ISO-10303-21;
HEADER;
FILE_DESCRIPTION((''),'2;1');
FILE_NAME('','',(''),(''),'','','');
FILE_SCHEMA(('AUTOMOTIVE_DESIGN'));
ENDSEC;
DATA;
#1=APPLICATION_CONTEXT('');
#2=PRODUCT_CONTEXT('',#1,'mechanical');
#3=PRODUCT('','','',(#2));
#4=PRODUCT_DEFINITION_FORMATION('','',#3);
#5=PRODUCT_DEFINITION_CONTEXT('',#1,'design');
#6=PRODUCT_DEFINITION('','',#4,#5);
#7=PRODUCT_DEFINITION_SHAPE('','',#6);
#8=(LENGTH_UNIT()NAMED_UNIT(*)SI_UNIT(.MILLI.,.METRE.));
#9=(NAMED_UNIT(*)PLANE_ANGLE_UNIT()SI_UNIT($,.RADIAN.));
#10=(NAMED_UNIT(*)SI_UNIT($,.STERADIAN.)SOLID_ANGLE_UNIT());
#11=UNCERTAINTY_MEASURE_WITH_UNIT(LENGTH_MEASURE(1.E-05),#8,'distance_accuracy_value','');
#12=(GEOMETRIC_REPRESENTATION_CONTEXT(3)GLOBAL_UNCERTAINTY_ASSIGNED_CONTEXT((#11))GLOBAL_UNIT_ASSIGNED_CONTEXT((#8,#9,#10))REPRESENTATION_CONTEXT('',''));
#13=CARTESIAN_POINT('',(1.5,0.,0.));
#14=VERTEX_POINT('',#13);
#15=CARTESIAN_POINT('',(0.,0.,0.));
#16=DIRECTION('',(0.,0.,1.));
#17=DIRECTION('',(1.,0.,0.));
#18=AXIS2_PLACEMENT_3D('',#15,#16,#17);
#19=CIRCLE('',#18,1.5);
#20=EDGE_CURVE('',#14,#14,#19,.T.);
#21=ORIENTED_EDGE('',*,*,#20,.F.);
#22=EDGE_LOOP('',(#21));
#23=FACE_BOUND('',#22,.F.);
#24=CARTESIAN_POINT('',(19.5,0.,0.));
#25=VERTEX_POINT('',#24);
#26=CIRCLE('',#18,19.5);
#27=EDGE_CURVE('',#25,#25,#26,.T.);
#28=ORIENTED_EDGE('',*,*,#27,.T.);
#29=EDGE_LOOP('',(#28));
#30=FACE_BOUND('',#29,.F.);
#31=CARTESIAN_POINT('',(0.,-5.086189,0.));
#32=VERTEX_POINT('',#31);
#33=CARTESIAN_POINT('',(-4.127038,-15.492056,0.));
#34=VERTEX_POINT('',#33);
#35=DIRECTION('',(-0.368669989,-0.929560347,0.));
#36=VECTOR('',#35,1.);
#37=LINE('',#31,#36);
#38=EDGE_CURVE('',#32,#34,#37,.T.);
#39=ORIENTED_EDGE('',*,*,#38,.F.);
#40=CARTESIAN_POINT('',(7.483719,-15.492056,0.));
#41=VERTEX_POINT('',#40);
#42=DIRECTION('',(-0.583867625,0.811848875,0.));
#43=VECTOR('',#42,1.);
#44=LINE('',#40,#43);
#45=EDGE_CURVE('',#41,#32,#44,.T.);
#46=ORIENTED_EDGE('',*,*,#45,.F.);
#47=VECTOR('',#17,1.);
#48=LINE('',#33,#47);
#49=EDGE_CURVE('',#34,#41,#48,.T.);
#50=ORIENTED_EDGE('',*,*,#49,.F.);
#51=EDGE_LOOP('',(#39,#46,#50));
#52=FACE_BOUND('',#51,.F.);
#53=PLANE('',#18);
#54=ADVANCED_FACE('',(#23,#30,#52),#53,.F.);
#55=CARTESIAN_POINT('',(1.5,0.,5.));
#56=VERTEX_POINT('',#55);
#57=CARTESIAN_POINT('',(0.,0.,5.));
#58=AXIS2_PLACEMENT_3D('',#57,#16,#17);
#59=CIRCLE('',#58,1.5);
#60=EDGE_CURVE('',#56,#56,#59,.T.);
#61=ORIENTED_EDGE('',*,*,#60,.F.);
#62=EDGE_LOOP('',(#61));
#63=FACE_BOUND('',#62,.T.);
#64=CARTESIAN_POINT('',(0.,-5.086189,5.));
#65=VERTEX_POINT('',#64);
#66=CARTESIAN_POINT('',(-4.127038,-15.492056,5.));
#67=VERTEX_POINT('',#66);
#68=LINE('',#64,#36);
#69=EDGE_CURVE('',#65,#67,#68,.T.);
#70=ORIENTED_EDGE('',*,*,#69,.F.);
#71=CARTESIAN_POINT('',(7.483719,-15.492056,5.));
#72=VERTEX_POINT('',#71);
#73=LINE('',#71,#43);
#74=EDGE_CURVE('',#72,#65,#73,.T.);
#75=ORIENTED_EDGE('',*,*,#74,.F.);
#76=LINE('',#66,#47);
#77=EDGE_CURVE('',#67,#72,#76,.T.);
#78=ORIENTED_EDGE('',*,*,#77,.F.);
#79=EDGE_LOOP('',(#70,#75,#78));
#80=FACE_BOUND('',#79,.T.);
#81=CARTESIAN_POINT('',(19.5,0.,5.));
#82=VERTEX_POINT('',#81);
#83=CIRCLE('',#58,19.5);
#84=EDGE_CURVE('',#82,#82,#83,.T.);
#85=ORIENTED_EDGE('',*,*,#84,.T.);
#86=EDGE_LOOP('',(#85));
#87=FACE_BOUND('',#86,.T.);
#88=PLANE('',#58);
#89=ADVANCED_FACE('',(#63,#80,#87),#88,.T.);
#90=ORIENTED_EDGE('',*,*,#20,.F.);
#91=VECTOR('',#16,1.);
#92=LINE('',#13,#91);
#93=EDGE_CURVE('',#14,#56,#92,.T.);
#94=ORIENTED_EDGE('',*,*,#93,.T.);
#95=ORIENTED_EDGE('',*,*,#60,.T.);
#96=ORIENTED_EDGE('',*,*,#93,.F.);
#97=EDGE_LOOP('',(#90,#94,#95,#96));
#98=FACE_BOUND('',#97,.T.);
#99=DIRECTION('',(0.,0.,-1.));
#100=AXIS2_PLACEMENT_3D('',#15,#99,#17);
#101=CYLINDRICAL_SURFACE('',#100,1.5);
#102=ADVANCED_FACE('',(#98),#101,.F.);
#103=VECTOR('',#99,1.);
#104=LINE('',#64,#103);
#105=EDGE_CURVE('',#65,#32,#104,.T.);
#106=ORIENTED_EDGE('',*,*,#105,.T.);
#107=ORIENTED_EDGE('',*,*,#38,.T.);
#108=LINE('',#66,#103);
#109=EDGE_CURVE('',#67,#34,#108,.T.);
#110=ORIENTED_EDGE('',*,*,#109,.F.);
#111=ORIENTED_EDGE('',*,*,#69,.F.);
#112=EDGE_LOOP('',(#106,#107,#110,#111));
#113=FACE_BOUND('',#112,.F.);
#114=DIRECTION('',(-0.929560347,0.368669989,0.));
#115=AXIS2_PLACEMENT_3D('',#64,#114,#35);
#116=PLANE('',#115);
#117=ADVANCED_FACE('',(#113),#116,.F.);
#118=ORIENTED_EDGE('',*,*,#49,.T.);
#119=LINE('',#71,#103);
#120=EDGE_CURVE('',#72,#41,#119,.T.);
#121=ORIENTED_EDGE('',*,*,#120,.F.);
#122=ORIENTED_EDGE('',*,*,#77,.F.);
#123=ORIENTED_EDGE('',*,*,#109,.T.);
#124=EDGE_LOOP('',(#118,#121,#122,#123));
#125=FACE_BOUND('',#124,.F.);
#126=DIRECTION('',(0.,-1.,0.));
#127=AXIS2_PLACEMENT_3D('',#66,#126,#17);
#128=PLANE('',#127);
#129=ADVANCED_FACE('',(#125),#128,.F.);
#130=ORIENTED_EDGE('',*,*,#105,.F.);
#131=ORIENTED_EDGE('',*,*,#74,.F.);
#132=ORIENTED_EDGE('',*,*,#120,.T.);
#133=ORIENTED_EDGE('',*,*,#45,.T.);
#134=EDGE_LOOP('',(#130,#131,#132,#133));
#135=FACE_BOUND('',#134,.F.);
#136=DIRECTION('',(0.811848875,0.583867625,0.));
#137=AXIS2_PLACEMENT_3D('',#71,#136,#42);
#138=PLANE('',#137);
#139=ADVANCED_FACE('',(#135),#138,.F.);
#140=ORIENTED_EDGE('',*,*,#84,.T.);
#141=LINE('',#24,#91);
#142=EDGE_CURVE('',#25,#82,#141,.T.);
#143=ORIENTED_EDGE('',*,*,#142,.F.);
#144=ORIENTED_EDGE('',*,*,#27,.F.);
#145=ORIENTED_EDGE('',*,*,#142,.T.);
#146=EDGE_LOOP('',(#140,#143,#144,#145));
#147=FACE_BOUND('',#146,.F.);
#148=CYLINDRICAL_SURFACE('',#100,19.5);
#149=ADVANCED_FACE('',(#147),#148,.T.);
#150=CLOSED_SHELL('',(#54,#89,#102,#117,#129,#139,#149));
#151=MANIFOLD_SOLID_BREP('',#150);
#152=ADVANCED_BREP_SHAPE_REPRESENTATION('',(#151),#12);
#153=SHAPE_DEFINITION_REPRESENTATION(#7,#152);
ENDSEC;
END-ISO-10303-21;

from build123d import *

# Parameters (mm, degrees)
F0_R     = 19.5
F0_R_2   = 1.5
F1_DEPTH = 5
F3_DEPTH = 5


with BuildPart() as f1:
    # F0 (on Top) → F1 (new body)
    with BuildSketch(Plane.XY):
        Circle(F0_R)
        Circle(F0_R_2, mode=Mode.SUBTRACT)
    extrude(amount=F1_DEPTH)

    # F2 (on face) → F3 (cut)
    with BuildSketch(Plane.XY.offset(5)):
        Polygon((7.483719, -15.492056), (0, -5.086189), (-4.127038, -15.492056), align=None)
    extrude(amount=-F3_DEPTH, mode=Mode.SUBTRACT)


solid = f1.part
